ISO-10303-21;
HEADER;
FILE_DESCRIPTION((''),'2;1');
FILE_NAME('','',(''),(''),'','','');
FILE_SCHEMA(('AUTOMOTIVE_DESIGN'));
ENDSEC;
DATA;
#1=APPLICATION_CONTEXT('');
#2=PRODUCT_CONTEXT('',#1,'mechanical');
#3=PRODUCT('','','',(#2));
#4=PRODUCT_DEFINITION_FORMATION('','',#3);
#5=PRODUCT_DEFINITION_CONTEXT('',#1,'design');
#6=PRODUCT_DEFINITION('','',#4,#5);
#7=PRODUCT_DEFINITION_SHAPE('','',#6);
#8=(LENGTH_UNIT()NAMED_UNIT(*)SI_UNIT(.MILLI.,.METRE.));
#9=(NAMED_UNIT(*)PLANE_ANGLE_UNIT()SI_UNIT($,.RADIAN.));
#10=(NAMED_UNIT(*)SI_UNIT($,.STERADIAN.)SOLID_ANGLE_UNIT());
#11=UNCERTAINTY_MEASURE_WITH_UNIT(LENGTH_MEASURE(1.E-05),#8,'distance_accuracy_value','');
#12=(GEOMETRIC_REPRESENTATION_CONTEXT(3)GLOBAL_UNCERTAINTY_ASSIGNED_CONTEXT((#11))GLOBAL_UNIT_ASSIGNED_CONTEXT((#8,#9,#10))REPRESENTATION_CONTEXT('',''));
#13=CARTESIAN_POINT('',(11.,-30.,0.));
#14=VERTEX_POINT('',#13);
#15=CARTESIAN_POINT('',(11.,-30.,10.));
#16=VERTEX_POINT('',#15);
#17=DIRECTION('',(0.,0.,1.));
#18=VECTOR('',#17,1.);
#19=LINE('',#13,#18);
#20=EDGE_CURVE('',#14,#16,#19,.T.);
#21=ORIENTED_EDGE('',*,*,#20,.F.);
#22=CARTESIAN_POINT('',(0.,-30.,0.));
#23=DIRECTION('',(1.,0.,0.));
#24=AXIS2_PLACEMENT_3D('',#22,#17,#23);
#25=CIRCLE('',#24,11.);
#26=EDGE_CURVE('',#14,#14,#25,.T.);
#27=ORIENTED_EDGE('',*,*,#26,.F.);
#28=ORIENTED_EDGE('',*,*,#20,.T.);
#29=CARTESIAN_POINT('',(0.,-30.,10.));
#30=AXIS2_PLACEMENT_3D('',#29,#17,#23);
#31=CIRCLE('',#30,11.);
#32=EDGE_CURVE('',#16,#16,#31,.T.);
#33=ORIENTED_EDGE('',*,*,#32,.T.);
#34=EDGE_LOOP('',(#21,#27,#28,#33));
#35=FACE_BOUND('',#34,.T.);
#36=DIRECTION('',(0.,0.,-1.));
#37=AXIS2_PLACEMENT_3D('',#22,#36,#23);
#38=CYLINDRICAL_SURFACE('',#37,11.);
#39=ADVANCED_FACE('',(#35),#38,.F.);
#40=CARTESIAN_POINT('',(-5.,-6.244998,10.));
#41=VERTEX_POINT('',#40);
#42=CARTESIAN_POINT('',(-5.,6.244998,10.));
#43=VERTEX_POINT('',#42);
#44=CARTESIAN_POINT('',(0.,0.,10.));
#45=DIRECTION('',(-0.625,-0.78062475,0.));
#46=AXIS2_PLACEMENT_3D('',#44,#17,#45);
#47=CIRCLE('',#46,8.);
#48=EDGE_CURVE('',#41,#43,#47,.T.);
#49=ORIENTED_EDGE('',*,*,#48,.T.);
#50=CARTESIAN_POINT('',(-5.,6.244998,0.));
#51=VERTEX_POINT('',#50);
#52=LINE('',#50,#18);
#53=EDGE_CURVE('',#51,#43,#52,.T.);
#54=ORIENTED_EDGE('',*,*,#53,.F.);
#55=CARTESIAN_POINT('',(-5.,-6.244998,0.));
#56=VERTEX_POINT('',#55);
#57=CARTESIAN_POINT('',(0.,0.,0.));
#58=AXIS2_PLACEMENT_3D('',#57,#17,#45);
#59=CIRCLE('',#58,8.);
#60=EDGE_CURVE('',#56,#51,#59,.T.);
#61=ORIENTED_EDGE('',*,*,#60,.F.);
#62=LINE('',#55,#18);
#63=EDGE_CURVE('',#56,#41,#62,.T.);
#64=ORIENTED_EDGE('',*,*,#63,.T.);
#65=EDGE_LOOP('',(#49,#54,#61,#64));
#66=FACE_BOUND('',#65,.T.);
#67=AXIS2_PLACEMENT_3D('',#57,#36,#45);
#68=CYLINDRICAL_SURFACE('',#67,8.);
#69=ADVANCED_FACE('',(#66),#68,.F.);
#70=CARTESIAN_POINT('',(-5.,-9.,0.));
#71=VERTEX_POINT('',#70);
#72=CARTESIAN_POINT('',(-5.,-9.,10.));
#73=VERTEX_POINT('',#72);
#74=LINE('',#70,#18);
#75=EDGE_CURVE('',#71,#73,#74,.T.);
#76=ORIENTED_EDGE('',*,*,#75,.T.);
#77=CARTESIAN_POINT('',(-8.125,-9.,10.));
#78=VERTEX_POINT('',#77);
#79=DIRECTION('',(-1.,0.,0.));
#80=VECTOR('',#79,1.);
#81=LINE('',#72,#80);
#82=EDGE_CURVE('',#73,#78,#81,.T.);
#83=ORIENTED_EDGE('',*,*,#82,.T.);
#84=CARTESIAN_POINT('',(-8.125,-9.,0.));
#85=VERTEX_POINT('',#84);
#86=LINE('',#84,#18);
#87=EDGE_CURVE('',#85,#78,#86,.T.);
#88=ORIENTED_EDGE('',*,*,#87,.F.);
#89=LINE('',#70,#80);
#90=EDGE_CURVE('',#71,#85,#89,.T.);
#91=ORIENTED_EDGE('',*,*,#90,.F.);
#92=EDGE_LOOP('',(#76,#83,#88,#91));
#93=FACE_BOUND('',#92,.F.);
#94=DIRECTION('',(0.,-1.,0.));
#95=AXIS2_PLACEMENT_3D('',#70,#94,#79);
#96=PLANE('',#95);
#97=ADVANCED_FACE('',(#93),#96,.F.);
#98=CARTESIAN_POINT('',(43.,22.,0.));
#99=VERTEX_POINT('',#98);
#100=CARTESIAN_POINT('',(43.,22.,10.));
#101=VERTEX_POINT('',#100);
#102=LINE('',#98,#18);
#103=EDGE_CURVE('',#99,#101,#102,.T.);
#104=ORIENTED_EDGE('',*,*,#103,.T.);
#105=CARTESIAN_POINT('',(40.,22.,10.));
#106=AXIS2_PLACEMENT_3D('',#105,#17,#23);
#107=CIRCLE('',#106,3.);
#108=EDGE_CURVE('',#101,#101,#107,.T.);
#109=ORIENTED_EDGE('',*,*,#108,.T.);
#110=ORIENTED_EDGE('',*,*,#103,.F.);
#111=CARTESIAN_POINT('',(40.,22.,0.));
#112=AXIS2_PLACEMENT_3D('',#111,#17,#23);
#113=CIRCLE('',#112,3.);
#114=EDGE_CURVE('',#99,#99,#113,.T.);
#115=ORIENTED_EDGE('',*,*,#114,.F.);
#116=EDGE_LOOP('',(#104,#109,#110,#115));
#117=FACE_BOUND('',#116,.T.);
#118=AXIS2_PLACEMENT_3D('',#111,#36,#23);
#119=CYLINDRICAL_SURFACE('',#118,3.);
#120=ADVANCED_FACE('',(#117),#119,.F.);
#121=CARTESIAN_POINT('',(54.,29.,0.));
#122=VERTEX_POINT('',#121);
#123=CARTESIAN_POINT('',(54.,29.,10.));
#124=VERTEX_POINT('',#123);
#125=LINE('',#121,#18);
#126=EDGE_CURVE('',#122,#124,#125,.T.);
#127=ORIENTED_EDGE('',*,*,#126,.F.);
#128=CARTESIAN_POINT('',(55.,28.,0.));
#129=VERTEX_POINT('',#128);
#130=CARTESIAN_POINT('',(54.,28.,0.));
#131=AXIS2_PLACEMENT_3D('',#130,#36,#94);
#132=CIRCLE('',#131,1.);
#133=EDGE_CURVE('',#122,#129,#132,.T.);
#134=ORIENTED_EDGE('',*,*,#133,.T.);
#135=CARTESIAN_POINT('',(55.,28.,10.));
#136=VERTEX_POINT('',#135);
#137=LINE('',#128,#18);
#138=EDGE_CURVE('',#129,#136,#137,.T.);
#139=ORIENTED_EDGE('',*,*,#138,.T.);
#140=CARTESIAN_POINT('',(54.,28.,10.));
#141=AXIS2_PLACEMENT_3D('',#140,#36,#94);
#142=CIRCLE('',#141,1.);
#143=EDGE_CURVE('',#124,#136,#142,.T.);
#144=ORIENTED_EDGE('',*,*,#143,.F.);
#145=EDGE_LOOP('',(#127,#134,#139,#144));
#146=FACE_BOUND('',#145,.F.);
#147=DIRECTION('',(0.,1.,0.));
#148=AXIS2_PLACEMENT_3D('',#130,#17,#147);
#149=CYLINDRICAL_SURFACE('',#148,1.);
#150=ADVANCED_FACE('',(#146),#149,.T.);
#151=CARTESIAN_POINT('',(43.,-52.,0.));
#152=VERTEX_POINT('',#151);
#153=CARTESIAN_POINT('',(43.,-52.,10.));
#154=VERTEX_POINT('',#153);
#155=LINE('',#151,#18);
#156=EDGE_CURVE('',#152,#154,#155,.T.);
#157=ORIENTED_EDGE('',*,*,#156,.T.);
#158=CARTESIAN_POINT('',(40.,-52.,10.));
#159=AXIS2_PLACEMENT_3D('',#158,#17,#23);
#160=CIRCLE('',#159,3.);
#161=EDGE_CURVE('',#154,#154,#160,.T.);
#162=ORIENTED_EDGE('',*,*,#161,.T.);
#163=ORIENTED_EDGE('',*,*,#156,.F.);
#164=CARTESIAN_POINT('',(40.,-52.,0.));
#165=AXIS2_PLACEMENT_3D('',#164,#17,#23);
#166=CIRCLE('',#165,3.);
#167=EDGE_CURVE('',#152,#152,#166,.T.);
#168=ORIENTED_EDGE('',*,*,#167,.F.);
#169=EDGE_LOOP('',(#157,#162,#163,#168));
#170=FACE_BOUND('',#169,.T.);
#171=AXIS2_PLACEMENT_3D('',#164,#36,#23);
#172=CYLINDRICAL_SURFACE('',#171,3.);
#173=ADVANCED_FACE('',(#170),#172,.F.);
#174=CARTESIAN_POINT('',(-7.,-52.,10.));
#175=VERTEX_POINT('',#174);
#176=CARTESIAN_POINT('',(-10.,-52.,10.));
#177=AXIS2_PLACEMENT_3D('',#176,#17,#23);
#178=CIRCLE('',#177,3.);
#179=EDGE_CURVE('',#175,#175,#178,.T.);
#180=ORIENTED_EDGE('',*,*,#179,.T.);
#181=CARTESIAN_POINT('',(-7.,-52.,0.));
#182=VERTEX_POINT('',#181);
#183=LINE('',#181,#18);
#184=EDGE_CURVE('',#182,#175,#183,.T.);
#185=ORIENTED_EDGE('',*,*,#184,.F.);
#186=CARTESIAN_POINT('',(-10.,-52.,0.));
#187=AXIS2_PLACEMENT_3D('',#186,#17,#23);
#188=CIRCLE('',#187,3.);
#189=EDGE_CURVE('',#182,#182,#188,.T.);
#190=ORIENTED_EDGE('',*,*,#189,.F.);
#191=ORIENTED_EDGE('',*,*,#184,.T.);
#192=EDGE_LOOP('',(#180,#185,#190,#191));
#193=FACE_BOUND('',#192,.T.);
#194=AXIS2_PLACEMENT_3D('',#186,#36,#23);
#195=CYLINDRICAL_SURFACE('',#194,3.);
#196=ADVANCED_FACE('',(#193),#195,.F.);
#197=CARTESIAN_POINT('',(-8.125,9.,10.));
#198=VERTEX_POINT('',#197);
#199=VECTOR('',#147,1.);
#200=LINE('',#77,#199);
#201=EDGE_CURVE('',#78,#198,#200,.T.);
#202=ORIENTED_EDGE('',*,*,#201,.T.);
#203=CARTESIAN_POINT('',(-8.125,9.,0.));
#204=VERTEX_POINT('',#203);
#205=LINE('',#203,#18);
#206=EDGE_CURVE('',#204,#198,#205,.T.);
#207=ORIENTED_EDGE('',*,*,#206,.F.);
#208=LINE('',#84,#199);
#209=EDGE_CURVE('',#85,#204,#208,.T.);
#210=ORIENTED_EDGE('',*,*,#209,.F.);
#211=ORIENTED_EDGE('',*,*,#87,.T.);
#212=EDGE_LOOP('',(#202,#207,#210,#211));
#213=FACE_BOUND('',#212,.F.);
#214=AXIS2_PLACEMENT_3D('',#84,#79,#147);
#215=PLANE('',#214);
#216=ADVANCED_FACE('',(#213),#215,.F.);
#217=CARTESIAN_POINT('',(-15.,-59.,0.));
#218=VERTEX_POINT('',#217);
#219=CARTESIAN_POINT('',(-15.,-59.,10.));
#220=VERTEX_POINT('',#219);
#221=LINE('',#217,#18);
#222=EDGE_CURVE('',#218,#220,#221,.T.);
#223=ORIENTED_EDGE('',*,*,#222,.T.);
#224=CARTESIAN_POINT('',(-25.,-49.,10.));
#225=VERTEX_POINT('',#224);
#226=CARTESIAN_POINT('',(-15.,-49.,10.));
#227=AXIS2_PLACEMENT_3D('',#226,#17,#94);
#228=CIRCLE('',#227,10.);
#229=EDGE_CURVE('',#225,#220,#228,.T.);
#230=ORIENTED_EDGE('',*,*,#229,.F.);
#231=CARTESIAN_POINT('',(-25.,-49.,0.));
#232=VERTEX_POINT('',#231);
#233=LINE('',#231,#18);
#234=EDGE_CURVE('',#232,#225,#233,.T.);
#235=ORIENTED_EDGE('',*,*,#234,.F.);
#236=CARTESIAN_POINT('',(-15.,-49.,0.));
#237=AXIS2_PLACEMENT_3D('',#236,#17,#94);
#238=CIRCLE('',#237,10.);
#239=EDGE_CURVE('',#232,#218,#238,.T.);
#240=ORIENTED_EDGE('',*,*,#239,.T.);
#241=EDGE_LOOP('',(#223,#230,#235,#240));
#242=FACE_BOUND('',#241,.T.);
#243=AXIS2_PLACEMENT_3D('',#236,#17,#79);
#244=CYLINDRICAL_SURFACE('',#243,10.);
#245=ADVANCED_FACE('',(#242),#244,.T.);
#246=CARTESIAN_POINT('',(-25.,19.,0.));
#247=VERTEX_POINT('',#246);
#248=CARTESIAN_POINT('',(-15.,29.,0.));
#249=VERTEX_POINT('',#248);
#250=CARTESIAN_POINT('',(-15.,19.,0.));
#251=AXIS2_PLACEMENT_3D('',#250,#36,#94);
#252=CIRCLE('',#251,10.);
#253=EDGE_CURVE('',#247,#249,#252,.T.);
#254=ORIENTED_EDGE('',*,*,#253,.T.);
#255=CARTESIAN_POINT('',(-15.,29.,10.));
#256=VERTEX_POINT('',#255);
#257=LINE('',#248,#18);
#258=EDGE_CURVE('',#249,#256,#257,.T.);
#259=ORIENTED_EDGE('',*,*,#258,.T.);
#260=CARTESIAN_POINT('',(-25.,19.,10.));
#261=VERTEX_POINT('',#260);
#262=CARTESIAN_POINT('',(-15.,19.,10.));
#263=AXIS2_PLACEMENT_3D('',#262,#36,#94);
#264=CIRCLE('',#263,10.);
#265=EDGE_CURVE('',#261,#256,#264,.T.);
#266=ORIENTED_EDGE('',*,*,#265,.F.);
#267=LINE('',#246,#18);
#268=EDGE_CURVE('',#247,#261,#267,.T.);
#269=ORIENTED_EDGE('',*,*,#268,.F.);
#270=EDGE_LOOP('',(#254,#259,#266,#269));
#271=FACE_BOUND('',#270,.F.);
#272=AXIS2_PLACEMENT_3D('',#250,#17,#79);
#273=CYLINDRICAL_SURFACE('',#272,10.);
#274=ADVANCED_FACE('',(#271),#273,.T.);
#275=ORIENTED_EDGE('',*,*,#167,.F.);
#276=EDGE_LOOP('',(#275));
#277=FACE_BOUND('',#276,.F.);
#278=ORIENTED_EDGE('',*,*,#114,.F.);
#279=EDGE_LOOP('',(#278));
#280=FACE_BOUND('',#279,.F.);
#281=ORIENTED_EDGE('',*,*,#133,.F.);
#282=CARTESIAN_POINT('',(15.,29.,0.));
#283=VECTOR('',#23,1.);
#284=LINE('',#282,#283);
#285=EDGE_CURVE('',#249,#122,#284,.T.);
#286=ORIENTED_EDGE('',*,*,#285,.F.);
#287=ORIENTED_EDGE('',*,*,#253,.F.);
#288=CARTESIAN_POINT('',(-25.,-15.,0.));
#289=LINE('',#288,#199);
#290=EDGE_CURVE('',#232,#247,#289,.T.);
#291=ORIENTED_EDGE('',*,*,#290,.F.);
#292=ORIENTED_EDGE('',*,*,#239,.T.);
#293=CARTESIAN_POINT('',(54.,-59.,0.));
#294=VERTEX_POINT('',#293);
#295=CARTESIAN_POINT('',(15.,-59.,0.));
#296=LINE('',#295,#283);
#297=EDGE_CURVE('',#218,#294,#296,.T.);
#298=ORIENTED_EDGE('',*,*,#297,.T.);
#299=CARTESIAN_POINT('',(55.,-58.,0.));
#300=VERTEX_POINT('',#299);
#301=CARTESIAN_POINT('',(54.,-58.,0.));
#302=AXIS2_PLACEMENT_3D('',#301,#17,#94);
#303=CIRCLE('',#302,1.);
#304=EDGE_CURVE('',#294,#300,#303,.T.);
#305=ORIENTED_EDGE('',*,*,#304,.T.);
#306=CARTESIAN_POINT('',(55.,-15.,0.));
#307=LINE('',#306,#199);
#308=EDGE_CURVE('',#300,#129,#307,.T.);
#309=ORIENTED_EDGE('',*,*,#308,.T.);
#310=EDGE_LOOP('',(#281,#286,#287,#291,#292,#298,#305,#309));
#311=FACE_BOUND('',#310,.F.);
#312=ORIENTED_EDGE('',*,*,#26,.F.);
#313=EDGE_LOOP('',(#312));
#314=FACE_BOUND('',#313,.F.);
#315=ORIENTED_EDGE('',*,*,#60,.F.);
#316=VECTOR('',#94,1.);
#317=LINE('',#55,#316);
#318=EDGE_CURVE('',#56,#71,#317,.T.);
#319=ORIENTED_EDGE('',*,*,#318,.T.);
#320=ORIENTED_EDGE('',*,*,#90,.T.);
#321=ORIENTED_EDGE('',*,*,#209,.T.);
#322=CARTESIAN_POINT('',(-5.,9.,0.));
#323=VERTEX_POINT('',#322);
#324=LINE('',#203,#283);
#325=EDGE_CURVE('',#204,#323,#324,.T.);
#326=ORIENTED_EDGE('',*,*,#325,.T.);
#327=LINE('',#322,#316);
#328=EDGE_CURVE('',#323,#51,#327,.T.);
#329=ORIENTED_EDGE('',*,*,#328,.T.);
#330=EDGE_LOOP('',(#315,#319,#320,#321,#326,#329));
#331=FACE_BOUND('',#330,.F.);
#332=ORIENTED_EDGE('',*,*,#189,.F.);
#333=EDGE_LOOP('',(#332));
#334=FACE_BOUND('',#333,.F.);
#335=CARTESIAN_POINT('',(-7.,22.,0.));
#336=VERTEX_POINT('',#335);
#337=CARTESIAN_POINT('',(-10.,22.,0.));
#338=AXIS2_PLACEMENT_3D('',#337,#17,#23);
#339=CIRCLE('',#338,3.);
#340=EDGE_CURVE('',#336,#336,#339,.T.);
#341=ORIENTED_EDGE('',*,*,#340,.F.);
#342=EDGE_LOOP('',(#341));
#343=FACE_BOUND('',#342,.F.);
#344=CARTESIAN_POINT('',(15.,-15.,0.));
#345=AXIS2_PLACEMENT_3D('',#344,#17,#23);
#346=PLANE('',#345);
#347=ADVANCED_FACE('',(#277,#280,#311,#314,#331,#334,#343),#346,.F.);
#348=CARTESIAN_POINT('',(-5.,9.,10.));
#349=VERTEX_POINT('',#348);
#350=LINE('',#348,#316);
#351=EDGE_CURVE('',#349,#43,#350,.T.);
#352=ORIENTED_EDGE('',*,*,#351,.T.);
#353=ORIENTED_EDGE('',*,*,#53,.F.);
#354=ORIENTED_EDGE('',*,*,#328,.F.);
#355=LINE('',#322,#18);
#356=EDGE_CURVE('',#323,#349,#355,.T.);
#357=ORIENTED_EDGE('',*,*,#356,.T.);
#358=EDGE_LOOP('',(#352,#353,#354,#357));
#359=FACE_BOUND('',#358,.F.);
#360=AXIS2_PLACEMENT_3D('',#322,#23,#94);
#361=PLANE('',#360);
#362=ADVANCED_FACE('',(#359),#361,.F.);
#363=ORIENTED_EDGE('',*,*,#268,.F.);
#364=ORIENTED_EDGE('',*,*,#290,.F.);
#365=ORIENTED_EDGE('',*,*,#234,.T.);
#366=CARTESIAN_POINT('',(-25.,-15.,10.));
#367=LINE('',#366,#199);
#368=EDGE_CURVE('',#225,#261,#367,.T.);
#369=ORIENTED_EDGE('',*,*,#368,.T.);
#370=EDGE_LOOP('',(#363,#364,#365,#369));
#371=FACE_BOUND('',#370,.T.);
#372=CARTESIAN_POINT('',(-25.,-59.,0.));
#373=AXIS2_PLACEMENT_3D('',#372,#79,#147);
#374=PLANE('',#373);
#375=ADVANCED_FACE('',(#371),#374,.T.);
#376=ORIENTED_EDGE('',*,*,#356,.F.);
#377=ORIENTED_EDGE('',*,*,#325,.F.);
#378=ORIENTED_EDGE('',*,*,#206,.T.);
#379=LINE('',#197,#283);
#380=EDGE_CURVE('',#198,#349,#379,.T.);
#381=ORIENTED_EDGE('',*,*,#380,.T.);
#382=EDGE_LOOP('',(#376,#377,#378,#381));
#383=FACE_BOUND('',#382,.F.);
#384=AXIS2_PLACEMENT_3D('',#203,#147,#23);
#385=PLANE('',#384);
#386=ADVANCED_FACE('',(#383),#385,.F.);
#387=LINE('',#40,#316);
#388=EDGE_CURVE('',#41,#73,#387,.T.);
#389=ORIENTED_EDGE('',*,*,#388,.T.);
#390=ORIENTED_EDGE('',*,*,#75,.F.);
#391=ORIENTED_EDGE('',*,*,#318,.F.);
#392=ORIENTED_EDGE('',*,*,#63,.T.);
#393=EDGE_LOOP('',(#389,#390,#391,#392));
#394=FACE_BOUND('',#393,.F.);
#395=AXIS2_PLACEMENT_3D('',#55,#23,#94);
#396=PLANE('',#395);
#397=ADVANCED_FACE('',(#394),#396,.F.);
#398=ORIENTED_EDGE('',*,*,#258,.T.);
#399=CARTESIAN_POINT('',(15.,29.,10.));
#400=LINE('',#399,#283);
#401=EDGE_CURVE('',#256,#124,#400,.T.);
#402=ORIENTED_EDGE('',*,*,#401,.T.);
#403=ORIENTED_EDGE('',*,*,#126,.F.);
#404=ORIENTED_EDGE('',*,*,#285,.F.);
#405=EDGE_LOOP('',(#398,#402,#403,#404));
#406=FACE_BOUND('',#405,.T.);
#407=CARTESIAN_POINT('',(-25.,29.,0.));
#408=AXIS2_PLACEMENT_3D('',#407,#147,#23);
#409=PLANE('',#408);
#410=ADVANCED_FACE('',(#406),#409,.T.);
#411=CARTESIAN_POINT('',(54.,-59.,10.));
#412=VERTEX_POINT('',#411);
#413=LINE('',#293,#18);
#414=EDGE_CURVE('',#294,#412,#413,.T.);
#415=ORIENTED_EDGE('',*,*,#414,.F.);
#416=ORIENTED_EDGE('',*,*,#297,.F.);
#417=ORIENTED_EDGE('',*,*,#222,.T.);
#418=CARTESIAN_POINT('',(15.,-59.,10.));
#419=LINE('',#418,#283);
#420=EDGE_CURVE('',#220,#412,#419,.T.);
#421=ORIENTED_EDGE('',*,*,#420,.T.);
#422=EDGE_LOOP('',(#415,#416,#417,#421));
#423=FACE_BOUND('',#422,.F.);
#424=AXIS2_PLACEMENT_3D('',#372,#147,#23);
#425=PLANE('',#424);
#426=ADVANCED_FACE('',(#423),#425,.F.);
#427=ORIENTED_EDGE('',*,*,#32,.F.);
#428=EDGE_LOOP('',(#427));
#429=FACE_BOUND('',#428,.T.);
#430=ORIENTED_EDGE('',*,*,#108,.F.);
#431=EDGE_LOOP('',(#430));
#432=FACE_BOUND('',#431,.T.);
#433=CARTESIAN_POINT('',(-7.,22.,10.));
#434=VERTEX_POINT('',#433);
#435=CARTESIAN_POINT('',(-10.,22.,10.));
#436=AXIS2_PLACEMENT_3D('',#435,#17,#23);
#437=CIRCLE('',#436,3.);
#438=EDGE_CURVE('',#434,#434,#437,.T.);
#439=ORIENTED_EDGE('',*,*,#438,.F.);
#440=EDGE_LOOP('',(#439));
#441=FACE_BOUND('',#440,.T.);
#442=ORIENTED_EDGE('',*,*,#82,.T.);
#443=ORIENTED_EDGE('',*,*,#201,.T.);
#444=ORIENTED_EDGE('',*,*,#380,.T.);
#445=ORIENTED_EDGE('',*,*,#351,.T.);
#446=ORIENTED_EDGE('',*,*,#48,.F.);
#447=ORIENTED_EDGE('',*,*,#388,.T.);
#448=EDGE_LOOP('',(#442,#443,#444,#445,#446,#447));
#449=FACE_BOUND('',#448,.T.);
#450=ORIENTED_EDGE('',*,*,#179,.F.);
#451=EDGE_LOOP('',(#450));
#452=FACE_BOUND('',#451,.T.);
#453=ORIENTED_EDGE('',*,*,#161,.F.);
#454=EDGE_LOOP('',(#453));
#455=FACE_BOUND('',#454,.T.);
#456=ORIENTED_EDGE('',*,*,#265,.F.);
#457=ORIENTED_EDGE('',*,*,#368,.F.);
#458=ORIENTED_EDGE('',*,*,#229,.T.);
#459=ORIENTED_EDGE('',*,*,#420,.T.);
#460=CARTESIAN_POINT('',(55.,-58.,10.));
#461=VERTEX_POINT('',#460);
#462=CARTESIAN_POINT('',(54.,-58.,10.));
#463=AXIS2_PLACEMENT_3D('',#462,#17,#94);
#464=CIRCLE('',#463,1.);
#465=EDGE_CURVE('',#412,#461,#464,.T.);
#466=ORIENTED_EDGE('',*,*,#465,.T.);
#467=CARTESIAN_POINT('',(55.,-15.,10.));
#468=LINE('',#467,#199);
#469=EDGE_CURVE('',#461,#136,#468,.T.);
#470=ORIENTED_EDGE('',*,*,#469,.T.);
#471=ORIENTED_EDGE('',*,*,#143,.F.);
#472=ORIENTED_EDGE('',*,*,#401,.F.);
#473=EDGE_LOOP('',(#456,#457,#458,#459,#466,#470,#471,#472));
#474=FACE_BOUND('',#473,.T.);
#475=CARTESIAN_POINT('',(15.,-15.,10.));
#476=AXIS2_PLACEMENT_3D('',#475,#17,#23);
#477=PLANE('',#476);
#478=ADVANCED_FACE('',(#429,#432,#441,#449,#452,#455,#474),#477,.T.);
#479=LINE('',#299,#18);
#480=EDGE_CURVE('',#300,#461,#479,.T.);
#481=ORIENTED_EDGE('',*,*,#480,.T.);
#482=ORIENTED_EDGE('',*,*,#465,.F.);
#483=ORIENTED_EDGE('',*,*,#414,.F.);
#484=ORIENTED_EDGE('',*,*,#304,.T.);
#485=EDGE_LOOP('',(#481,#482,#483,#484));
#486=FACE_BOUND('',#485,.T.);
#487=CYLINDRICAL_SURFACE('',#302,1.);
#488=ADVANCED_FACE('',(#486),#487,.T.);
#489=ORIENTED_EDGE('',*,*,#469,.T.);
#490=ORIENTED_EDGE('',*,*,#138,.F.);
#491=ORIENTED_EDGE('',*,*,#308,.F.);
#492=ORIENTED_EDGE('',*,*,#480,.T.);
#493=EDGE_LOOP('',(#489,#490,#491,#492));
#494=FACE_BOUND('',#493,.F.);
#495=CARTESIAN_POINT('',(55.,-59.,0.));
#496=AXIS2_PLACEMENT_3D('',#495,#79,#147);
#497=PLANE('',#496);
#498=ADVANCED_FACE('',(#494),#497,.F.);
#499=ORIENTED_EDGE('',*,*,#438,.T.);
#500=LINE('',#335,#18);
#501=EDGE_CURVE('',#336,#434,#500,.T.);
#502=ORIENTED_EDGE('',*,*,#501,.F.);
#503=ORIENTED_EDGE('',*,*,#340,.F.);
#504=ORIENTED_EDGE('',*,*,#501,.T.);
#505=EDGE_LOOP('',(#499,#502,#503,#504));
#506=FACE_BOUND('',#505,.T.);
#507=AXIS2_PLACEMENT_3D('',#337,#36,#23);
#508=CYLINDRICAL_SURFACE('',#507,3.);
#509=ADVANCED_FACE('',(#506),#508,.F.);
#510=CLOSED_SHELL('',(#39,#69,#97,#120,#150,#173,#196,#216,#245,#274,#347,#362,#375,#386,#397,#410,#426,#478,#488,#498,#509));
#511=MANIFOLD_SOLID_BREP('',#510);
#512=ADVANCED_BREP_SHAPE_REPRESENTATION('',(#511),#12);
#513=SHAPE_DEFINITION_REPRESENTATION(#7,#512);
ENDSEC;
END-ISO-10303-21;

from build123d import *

# Parameters (mm, degrees)
SKETCH_W    = 80
SKETCH_H    = 88
SKETCH_R    = 11
SKETCH_R_2  = 3
PAD_DEPTH   = 10
FILLET_R    = 10
FILLET001_R = 1


with BuildPart() as part:
    # Sketch → Pad (new body)
    with BuildSketch(Plane.XY):
        with Locations((15, -15)):
            Rectangle(SKETCH_W, SKETCH_H)
        with Locations((0, -30)):
            Circle(SKETCH_R, mode=Mode.SUBTRACT)
        with Locations((-10, -52)):
            Circle(SKETCH_R_2, mode=Mode.SUBTRACT)
        with Locations((40, -52)):
            Circle(SKETCH_R_2, mode=Mode.SUBTRACT)
        with Locations((40, 22)):
            Circle(SKETCH_R_2, mode=Mode.SUBTRACT)
        with Locations((-10, 22)):
            Circle(SKETCH_R_2, mode=Mode.SUBTRACT)
        with BuildLine():
            ThreePointArc((-5, -6.244998), (8, 0), (-5, 6.244998))
            Line((-5, 9), (-5, 6.244998))
            Line((-8.125, 9), (-5, 9))
            Line((-8.125, -9), (-8.125, 9))
            Line((-5, -9), (-8.125, -9))
            Line((-5, -6.244998), (-5, -9))
        make_face(mode=Mode.SUBTRACT)
    extrude(amount=PAD_DEPTH)

    # Fillet
    fillet_edges = [part.edges().sort_by_distance(p)[0] for p in [
        (-25, 29, 5),
        (-25, -59, 5),
    ]]
    fillet(fillet_edges, radius=FILLET_R)

    # Fillet001
    fillet001_edges = [part.edges().sort_by_distance(p)[0] for p in [
        (55, -59, 5),
        (55, 29, 5),
    ]]
    fillet(fillet001_edges, radius=FILLET001_R)


solid = part.part
